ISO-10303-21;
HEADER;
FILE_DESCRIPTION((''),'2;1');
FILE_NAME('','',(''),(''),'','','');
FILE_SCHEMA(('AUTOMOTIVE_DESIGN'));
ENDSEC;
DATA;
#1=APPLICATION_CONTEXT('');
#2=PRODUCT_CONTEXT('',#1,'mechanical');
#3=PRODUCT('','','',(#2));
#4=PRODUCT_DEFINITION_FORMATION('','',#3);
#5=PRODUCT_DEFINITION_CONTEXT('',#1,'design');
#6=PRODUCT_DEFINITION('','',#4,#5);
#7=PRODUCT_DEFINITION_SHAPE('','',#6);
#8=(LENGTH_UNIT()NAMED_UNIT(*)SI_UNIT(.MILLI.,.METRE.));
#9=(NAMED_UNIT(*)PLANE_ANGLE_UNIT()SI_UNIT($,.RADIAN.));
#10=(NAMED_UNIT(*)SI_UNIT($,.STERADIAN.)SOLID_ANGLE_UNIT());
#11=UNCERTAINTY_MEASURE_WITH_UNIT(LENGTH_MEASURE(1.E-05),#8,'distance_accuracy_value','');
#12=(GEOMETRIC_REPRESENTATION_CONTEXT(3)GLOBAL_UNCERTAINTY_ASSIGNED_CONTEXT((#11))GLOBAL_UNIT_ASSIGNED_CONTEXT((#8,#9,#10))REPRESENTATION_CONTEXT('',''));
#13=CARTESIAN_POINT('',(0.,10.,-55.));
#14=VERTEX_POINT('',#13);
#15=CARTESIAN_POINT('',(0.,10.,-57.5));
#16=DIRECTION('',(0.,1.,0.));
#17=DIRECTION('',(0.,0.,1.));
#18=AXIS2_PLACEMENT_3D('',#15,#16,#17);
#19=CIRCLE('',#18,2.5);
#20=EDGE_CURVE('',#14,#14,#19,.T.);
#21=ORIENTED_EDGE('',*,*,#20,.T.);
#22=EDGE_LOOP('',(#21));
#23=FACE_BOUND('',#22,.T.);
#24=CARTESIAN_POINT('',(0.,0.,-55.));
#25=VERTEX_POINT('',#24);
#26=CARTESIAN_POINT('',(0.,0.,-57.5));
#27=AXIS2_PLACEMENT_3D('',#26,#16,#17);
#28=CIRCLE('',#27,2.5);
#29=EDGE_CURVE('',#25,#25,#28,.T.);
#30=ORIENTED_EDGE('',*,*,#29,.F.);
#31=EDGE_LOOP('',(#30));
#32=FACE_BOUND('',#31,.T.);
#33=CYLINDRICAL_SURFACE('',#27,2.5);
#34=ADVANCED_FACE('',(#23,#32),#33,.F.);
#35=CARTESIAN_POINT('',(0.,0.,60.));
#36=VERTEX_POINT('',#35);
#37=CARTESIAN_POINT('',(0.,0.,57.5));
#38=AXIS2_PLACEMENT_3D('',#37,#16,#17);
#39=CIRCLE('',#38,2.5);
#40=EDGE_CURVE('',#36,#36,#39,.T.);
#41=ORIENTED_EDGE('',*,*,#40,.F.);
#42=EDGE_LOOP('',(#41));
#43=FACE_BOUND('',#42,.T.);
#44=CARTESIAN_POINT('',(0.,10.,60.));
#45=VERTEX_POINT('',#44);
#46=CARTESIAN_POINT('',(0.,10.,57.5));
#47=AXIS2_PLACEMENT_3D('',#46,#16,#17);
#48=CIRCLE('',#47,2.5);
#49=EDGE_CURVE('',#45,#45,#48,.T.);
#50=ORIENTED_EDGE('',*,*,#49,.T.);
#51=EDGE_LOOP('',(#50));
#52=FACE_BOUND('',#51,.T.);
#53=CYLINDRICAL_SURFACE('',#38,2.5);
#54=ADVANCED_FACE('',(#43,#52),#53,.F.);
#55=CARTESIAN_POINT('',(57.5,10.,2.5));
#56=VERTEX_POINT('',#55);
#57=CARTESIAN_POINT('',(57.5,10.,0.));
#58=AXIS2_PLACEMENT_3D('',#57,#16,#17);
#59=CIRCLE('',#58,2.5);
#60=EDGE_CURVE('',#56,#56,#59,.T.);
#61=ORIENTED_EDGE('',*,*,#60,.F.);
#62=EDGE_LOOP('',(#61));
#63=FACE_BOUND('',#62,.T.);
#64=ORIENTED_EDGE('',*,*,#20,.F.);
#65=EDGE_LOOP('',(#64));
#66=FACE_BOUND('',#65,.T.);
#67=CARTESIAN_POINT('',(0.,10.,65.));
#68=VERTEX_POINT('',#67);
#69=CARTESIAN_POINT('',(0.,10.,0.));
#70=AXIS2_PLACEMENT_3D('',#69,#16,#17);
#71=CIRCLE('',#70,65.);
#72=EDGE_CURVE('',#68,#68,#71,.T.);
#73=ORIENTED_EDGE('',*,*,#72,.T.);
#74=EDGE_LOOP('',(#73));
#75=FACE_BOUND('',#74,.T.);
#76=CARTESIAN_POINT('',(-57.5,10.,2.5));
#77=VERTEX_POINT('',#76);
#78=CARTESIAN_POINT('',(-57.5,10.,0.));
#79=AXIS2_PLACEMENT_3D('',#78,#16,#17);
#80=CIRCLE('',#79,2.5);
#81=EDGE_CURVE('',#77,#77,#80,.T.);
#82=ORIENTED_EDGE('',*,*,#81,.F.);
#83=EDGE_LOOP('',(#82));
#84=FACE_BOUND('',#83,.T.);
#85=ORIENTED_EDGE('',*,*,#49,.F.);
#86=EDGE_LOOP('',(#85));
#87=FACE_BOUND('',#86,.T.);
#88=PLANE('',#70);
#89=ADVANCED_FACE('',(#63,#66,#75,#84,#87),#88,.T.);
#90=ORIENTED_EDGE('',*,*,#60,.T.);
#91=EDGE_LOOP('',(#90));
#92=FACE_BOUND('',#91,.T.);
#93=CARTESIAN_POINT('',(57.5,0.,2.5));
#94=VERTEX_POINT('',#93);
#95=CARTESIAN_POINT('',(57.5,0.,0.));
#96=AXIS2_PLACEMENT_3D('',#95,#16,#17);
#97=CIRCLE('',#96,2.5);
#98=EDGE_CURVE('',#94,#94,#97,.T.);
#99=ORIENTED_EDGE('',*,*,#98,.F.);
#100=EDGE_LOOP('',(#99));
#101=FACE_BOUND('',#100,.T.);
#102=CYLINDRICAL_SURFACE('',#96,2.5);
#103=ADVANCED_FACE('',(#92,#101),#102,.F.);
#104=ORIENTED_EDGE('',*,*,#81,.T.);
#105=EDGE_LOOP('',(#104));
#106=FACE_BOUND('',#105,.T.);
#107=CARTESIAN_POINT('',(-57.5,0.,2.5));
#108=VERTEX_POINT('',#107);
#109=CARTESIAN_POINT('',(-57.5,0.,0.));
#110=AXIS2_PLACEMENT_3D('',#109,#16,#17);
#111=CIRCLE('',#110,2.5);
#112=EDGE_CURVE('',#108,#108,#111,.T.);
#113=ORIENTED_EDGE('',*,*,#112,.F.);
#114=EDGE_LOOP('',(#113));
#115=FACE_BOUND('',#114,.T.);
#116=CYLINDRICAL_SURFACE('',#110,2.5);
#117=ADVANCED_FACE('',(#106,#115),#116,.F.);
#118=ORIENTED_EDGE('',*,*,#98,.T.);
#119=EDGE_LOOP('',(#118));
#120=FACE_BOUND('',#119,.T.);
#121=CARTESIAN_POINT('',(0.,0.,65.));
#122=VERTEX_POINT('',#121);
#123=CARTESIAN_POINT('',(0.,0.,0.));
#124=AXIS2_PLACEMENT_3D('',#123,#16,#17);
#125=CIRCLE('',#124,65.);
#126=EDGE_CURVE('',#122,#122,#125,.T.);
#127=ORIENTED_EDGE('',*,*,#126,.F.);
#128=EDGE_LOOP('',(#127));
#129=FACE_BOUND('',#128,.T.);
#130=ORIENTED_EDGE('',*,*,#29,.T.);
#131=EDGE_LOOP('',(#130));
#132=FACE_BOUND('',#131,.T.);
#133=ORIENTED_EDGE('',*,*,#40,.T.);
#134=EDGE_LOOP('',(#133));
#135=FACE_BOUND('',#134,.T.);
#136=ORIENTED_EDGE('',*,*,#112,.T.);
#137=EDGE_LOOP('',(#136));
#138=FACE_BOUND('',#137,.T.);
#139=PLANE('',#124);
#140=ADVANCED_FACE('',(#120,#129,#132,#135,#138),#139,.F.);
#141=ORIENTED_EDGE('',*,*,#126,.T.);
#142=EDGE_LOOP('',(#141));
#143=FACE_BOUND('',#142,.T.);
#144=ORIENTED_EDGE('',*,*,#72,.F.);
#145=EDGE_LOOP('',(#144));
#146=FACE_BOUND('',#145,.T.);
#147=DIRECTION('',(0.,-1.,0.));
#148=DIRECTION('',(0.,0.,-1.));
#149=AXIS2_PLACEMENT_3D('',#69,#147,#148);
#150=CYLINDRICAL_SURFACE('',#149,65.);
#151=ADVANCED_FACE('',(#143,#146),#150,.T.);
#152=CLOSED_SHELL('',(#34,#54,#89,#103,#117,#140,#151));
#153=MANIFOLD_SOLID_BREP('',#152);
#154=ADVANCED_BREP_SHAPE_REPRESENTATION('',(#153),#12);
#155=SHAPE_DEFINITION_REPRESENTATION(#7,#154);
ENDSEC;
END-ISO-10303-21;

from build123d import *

# Parameters (mm, degrees)
SKETCH1_R           = 65
BOSS_EXTRUDE1_DEPTH = 10
SKETCH2_R           = 2.5
CUT_EXTRUDE1_DEPTH  = 93.466210045


with BuildPart() as part:
    # Sketch1 → Boss-Extrude1 (new body)
    with BuildSketch(Plane(origin=(0, 0, 0), x_dir=(1, 0, 0), z_dir=(0, 1, 0))):
        with Locations(Location((0, 0, 0), (0, 0, 270))):
            Circle(SKETCH1_R)
    extrude(amount=BOSS_EXTRUDE1_DEPTH)

    # Sketch2 → Cut-Extrude1 (cut, through all)
    with BuildSketch(Plane(origin=(0, 10, 0), x_dir=(1, 0, 0), z_dir=(0, 1, 0))):
        with Locations(Location((0, 57.5, 0), (0, 0, 270))):
            Circle(SKETCH2_R)
        with Locations(Location((57.5, 0, 0), (0, 0, 270))):
            Circle(SKETCH2_R)
        with Locations(Location((0, -57.5, 0), (0, 0, 270))):
            Circle(SKETCH2_R)
        with Locations(Location((-57.5, 0, 0), (0, 0, 270))):
            Circle(SKETCH2_R)
    extrude(amount=-CUT_EXTRUDE1_DEPTH, mode=Mode.SUBTRACT)


solid = part.part
